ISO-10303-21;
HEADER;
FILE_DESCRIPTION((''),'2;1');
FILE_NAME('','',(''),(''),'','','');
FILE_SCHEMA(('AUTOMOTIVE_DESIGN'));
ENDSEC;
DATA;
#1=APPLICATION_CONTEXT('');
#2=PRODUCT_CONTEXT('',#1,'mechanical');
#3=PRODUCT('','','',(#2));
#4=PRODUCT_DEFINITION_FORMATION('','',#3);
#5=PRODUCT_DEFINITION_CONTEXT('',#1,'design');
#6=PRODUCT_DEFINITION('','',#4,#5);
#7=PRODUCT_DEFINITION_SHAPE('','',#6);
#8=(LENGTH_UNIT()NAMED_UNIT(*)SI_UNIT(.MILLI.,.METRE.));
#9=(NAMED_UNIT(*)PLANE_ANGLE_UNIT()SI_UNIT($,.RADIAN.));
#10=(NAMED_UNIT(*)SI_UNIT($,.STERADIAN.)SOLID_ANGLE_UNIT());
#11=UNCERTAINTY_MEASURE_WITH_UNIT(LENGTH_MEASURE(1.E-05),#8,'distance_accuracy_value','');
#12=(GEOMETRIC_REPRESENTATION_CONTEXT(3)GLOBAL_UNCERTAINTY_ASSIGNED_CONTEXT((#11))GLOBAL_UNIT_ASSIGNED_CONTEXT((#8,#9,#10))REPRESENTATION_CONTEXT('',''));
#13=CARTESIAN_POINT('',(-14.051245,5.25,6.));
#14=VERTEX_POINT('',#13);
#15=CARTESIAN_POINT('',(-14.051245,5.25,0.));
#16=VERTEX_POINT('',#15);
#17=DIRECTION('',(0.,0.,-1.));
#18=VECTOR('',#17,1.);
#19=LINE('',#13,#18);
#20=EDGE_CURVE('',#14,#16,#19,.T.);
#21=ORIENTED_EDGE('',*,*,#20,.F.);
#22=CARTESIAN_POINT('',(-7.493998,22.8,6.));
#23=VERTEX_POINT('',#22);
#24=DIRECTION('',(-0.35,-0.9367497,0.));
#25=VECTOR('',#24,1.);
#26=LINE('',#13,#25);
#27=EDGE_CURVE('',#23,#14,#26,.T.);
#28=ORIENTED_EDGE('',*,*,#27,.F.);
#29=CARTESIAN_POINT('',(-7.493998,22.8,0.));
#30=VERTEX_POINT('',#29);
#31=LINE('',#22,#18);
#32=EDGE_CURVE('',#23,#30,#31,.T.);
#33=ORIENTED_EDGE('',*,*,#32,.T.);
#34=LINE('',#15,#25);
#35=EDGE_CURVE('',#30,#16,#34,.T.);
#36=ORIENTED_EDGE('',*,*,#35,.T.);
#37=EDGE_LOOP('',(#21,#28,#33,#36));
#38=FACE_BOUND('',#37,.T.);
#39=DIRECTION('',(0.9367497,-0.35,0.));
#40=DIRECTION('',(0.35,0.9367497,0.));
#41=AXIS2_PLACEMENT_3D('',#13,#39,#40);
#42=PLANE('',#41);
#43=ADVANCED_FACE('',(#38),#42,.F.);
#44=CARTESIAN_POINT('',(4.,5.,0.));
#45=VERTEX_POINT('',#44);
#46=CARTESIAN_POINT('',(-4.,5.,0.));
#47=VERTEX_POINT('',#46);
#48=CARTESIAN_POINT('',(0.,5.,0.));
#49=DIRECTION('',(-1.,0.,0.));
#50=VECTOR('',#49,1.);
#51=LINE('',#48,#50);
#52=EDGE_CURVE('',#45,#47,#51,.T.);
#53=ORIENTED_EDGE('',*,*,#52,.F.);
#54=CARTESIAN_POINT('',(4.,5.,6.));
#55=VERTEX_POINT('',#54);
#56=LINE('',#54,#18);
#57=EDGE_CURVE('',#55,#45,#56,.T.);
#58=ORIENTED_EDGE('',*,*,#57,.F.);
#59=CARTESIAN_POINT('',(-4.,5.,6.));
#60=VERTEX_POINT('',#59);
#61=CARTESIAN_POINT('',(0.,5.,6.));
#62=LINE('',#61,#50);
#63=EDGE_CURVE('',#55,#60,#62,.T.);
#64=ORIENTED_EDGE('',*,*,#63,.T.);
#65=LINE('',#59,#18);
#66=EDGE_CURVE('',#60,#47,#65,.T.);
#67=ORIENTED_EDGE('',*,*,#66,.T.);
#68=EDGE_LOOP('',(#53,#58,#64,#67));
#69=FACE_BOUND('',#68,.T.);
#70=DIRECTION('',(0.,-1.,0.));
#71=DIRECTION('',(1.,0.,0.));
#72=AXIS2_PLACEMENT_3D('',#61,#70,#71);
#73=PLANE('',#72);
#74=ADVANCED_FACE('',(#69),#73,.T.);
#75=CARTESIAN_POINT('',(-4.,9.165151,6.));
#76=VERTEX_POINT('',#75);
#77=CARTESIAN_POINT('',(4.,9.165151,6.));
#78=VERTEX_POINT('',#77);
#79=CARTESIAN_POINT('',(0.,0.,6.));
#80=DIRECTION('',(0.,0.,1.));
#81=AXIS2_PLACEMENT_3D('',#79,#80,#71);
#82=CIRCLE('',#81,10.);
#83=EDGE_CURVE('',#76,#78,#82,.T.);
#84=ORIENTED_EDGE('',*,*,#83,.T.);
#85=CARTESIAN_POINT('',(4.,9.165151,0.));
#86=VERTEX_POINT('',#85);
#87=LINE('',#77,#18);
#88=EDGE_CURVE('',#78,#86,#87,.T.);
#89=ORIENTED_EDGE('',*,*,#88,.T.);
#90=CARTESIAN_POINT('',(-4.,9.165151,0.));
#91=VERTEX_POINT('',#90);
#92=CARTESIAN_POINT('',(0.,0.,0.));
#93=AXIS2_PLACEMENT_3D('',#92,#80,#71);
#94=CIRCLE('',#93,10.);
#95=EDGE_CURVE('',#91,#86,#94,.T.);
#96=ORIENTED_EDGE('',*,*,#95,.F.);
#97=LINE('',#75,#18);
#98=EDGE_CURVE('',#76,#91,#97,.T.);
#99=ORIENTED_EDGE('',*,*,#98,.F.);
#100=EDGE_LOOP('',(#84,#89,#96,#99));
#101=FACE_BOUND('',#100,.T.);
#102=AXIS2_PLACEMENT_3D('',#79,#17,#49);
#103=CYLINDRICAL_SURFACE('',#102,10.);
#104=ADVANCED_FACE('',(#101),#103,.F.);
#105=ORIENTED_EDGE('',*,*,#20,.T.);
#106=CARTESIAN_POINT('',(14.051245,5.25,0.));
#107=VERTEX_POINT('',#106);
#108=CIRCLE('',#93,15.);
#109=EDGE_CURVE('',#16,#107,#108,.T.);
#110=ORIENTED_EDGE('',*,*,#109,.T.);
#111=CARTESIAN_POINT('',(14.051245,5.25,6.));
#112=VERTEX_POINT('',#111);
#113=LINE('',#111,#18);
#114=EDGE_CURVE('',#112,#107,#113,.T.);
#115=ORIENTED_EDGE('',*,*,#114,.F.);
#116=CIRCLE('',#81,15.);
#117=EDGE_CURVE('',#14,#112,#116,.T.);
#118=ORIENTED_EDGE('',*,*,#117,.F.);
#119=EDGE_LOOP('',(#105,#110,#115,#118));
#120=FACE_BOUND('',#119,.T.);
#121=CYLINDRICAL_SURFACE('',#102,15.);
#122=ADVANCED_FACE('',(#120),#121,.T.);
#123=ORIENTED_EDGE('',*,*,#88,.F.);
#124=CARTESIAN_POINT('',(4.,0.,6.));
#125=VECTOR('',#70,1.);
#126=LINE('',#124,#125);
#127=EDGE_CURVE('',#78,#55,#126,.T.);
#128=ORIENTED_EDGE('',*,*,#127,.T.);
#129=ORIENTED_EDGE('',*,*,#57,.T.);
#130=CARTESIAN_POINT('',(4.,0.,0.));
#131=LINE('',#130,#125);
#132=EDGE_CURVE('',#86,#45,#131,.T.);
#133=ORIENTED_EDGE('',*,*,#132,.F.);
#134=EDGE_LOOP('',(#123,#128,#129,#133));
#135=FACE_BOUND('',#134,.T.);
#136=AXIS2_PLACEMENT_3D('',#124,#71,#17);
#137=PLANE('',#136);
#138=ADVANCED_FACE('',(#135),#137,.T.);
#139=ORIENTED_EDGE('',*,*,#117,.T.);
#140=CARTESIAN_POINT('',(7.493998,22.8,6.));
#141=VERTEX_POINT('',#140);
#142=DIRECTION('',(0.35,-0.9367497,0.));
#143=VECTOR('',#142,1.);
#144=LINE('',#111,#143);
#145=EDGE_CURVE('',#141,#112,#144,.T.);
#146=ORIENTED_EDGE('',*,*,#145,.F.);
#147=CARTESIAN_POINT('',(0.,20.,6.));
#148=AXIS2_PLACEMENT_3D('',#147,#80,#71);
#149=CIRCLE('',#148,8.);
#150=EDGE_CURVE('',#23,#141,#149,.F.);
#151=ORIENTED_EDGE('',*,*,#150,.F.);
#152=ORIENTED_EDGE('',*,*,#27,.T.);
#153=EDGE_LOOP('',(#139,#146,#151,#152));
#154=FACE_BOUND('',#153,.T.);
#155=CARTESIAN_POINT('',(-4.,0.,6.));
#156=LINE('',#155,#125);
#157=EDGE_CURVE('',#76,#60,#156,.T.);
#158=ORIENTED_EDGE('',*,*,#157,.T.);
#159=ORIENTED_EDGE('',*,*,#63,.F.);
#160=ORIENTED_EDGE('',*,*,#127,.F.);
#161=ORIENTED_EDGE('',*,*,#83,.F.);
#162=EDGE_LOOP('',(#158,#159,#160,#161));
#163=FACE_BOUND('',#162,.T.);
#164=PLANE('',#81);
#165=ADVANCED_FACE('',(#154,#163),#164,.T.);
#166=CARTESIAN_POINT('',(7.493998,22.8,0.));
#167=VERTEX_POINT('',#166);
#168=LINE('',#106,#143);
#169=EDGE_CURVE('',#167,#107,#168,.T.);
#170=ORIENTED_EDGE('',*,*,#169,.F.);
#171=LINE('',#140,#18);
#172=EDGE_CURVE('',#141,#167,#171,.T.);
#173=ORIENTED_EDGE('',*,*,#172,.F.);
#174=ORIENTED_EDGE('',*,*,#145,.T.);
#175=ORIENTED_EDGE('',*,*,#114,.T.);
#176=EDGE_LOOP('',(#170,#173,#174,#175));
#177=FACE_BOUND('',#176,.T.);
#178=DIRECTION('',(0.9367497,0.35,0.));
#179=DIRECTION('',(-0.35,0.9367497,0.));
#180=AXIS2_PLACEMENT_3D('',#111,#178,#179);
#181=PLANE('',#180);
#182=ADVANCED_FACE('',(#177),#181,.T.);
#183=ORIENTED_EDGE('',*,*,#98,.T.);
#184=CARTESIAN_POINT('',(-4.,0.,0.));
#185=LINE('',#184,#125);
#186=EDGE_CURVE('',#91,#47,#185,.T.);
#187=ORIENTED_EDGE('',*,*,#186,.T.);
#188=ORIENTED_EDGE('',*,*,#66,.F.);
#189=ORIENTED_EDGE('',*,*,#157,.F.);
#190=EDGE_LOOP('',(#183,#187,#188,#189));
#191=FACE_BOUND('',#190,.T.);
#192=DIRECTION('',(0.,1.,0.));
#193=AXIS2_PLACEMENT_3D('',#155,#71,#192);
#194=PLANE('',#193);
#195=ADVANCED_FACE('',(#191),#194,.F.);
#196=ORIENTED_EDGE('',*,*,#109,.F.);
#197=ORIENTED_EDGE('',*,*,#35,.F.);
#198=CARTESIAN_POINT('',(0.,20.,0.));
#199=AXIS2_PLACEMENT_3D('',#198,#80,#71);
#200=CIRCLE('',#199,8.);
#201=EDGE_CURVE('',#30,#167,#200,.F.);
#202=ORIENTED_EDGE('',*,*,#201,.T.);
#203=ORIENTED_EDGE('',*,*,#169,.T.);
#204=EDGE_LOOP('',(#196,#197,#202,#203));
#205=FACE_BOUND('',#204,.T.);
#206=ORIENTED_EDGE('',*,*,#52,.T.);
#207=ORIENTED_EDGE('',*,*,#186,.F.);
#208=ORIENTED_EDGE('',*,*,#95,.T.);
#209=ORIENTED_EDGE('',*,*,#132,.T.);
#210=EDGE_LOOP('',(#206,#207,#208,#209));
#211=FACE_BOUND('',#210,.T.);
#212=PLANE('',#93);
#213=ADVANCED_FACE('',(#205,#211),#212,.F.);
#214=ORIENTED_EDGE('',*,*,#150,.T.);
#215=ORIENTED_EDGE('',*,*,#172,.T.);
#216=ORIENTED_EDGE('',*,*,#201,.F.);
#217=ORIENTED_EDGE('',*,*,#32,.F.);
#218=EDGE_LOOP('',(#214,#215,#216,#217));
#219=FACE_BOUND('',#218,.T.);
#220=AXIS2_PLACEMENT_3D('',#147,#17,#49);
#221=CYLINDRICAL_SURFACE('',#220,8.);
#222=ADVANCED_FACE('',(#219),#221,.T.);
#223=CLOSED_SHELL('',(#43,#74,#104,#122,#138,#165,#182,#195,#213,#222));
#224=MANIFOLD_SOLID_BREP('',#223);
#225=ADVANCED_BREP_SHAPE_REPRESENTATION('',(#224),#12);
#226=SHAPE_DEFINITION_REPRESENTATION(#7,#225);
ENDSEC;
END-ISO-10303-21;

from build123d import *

# Parameters (mm, degrees)
BOSS_EXTRUDE1_DEPTH = 6


with BuildPart() as part:
    # Sketch1 → Boss-Extrude1 (new body)
    with BuildSketch(Plane.XY):
        with BuildLine():
            ThreePointArc((7.493997598, 22.8), (0, 28), (-7.493997598, 22.8))
            Line((-7.493997598, 22.8), (-14.051245496, 5.25))
            ThreePointArc((-14.051245496, 5.25), (0, -15), (14.051245496, 5.25))
            Line((14.051245496, 5.25), (7.493997598, 22.8))
        make_face()
        with BuildLine():
            Line((-4, 9.16515139), (-4, 5))
            Line((-4, 5), (4, 5))
            Line((4, 5), (4, 9.16515139))
            ThreePointArc((4, 9.16515139), (0, -10), (-4, 9.16515139))
        make_face(mode=Mode.SUBTRACT)
    extrude(amount=BOSS_EXTRUDE1_DEPTH)


solid = part.part
